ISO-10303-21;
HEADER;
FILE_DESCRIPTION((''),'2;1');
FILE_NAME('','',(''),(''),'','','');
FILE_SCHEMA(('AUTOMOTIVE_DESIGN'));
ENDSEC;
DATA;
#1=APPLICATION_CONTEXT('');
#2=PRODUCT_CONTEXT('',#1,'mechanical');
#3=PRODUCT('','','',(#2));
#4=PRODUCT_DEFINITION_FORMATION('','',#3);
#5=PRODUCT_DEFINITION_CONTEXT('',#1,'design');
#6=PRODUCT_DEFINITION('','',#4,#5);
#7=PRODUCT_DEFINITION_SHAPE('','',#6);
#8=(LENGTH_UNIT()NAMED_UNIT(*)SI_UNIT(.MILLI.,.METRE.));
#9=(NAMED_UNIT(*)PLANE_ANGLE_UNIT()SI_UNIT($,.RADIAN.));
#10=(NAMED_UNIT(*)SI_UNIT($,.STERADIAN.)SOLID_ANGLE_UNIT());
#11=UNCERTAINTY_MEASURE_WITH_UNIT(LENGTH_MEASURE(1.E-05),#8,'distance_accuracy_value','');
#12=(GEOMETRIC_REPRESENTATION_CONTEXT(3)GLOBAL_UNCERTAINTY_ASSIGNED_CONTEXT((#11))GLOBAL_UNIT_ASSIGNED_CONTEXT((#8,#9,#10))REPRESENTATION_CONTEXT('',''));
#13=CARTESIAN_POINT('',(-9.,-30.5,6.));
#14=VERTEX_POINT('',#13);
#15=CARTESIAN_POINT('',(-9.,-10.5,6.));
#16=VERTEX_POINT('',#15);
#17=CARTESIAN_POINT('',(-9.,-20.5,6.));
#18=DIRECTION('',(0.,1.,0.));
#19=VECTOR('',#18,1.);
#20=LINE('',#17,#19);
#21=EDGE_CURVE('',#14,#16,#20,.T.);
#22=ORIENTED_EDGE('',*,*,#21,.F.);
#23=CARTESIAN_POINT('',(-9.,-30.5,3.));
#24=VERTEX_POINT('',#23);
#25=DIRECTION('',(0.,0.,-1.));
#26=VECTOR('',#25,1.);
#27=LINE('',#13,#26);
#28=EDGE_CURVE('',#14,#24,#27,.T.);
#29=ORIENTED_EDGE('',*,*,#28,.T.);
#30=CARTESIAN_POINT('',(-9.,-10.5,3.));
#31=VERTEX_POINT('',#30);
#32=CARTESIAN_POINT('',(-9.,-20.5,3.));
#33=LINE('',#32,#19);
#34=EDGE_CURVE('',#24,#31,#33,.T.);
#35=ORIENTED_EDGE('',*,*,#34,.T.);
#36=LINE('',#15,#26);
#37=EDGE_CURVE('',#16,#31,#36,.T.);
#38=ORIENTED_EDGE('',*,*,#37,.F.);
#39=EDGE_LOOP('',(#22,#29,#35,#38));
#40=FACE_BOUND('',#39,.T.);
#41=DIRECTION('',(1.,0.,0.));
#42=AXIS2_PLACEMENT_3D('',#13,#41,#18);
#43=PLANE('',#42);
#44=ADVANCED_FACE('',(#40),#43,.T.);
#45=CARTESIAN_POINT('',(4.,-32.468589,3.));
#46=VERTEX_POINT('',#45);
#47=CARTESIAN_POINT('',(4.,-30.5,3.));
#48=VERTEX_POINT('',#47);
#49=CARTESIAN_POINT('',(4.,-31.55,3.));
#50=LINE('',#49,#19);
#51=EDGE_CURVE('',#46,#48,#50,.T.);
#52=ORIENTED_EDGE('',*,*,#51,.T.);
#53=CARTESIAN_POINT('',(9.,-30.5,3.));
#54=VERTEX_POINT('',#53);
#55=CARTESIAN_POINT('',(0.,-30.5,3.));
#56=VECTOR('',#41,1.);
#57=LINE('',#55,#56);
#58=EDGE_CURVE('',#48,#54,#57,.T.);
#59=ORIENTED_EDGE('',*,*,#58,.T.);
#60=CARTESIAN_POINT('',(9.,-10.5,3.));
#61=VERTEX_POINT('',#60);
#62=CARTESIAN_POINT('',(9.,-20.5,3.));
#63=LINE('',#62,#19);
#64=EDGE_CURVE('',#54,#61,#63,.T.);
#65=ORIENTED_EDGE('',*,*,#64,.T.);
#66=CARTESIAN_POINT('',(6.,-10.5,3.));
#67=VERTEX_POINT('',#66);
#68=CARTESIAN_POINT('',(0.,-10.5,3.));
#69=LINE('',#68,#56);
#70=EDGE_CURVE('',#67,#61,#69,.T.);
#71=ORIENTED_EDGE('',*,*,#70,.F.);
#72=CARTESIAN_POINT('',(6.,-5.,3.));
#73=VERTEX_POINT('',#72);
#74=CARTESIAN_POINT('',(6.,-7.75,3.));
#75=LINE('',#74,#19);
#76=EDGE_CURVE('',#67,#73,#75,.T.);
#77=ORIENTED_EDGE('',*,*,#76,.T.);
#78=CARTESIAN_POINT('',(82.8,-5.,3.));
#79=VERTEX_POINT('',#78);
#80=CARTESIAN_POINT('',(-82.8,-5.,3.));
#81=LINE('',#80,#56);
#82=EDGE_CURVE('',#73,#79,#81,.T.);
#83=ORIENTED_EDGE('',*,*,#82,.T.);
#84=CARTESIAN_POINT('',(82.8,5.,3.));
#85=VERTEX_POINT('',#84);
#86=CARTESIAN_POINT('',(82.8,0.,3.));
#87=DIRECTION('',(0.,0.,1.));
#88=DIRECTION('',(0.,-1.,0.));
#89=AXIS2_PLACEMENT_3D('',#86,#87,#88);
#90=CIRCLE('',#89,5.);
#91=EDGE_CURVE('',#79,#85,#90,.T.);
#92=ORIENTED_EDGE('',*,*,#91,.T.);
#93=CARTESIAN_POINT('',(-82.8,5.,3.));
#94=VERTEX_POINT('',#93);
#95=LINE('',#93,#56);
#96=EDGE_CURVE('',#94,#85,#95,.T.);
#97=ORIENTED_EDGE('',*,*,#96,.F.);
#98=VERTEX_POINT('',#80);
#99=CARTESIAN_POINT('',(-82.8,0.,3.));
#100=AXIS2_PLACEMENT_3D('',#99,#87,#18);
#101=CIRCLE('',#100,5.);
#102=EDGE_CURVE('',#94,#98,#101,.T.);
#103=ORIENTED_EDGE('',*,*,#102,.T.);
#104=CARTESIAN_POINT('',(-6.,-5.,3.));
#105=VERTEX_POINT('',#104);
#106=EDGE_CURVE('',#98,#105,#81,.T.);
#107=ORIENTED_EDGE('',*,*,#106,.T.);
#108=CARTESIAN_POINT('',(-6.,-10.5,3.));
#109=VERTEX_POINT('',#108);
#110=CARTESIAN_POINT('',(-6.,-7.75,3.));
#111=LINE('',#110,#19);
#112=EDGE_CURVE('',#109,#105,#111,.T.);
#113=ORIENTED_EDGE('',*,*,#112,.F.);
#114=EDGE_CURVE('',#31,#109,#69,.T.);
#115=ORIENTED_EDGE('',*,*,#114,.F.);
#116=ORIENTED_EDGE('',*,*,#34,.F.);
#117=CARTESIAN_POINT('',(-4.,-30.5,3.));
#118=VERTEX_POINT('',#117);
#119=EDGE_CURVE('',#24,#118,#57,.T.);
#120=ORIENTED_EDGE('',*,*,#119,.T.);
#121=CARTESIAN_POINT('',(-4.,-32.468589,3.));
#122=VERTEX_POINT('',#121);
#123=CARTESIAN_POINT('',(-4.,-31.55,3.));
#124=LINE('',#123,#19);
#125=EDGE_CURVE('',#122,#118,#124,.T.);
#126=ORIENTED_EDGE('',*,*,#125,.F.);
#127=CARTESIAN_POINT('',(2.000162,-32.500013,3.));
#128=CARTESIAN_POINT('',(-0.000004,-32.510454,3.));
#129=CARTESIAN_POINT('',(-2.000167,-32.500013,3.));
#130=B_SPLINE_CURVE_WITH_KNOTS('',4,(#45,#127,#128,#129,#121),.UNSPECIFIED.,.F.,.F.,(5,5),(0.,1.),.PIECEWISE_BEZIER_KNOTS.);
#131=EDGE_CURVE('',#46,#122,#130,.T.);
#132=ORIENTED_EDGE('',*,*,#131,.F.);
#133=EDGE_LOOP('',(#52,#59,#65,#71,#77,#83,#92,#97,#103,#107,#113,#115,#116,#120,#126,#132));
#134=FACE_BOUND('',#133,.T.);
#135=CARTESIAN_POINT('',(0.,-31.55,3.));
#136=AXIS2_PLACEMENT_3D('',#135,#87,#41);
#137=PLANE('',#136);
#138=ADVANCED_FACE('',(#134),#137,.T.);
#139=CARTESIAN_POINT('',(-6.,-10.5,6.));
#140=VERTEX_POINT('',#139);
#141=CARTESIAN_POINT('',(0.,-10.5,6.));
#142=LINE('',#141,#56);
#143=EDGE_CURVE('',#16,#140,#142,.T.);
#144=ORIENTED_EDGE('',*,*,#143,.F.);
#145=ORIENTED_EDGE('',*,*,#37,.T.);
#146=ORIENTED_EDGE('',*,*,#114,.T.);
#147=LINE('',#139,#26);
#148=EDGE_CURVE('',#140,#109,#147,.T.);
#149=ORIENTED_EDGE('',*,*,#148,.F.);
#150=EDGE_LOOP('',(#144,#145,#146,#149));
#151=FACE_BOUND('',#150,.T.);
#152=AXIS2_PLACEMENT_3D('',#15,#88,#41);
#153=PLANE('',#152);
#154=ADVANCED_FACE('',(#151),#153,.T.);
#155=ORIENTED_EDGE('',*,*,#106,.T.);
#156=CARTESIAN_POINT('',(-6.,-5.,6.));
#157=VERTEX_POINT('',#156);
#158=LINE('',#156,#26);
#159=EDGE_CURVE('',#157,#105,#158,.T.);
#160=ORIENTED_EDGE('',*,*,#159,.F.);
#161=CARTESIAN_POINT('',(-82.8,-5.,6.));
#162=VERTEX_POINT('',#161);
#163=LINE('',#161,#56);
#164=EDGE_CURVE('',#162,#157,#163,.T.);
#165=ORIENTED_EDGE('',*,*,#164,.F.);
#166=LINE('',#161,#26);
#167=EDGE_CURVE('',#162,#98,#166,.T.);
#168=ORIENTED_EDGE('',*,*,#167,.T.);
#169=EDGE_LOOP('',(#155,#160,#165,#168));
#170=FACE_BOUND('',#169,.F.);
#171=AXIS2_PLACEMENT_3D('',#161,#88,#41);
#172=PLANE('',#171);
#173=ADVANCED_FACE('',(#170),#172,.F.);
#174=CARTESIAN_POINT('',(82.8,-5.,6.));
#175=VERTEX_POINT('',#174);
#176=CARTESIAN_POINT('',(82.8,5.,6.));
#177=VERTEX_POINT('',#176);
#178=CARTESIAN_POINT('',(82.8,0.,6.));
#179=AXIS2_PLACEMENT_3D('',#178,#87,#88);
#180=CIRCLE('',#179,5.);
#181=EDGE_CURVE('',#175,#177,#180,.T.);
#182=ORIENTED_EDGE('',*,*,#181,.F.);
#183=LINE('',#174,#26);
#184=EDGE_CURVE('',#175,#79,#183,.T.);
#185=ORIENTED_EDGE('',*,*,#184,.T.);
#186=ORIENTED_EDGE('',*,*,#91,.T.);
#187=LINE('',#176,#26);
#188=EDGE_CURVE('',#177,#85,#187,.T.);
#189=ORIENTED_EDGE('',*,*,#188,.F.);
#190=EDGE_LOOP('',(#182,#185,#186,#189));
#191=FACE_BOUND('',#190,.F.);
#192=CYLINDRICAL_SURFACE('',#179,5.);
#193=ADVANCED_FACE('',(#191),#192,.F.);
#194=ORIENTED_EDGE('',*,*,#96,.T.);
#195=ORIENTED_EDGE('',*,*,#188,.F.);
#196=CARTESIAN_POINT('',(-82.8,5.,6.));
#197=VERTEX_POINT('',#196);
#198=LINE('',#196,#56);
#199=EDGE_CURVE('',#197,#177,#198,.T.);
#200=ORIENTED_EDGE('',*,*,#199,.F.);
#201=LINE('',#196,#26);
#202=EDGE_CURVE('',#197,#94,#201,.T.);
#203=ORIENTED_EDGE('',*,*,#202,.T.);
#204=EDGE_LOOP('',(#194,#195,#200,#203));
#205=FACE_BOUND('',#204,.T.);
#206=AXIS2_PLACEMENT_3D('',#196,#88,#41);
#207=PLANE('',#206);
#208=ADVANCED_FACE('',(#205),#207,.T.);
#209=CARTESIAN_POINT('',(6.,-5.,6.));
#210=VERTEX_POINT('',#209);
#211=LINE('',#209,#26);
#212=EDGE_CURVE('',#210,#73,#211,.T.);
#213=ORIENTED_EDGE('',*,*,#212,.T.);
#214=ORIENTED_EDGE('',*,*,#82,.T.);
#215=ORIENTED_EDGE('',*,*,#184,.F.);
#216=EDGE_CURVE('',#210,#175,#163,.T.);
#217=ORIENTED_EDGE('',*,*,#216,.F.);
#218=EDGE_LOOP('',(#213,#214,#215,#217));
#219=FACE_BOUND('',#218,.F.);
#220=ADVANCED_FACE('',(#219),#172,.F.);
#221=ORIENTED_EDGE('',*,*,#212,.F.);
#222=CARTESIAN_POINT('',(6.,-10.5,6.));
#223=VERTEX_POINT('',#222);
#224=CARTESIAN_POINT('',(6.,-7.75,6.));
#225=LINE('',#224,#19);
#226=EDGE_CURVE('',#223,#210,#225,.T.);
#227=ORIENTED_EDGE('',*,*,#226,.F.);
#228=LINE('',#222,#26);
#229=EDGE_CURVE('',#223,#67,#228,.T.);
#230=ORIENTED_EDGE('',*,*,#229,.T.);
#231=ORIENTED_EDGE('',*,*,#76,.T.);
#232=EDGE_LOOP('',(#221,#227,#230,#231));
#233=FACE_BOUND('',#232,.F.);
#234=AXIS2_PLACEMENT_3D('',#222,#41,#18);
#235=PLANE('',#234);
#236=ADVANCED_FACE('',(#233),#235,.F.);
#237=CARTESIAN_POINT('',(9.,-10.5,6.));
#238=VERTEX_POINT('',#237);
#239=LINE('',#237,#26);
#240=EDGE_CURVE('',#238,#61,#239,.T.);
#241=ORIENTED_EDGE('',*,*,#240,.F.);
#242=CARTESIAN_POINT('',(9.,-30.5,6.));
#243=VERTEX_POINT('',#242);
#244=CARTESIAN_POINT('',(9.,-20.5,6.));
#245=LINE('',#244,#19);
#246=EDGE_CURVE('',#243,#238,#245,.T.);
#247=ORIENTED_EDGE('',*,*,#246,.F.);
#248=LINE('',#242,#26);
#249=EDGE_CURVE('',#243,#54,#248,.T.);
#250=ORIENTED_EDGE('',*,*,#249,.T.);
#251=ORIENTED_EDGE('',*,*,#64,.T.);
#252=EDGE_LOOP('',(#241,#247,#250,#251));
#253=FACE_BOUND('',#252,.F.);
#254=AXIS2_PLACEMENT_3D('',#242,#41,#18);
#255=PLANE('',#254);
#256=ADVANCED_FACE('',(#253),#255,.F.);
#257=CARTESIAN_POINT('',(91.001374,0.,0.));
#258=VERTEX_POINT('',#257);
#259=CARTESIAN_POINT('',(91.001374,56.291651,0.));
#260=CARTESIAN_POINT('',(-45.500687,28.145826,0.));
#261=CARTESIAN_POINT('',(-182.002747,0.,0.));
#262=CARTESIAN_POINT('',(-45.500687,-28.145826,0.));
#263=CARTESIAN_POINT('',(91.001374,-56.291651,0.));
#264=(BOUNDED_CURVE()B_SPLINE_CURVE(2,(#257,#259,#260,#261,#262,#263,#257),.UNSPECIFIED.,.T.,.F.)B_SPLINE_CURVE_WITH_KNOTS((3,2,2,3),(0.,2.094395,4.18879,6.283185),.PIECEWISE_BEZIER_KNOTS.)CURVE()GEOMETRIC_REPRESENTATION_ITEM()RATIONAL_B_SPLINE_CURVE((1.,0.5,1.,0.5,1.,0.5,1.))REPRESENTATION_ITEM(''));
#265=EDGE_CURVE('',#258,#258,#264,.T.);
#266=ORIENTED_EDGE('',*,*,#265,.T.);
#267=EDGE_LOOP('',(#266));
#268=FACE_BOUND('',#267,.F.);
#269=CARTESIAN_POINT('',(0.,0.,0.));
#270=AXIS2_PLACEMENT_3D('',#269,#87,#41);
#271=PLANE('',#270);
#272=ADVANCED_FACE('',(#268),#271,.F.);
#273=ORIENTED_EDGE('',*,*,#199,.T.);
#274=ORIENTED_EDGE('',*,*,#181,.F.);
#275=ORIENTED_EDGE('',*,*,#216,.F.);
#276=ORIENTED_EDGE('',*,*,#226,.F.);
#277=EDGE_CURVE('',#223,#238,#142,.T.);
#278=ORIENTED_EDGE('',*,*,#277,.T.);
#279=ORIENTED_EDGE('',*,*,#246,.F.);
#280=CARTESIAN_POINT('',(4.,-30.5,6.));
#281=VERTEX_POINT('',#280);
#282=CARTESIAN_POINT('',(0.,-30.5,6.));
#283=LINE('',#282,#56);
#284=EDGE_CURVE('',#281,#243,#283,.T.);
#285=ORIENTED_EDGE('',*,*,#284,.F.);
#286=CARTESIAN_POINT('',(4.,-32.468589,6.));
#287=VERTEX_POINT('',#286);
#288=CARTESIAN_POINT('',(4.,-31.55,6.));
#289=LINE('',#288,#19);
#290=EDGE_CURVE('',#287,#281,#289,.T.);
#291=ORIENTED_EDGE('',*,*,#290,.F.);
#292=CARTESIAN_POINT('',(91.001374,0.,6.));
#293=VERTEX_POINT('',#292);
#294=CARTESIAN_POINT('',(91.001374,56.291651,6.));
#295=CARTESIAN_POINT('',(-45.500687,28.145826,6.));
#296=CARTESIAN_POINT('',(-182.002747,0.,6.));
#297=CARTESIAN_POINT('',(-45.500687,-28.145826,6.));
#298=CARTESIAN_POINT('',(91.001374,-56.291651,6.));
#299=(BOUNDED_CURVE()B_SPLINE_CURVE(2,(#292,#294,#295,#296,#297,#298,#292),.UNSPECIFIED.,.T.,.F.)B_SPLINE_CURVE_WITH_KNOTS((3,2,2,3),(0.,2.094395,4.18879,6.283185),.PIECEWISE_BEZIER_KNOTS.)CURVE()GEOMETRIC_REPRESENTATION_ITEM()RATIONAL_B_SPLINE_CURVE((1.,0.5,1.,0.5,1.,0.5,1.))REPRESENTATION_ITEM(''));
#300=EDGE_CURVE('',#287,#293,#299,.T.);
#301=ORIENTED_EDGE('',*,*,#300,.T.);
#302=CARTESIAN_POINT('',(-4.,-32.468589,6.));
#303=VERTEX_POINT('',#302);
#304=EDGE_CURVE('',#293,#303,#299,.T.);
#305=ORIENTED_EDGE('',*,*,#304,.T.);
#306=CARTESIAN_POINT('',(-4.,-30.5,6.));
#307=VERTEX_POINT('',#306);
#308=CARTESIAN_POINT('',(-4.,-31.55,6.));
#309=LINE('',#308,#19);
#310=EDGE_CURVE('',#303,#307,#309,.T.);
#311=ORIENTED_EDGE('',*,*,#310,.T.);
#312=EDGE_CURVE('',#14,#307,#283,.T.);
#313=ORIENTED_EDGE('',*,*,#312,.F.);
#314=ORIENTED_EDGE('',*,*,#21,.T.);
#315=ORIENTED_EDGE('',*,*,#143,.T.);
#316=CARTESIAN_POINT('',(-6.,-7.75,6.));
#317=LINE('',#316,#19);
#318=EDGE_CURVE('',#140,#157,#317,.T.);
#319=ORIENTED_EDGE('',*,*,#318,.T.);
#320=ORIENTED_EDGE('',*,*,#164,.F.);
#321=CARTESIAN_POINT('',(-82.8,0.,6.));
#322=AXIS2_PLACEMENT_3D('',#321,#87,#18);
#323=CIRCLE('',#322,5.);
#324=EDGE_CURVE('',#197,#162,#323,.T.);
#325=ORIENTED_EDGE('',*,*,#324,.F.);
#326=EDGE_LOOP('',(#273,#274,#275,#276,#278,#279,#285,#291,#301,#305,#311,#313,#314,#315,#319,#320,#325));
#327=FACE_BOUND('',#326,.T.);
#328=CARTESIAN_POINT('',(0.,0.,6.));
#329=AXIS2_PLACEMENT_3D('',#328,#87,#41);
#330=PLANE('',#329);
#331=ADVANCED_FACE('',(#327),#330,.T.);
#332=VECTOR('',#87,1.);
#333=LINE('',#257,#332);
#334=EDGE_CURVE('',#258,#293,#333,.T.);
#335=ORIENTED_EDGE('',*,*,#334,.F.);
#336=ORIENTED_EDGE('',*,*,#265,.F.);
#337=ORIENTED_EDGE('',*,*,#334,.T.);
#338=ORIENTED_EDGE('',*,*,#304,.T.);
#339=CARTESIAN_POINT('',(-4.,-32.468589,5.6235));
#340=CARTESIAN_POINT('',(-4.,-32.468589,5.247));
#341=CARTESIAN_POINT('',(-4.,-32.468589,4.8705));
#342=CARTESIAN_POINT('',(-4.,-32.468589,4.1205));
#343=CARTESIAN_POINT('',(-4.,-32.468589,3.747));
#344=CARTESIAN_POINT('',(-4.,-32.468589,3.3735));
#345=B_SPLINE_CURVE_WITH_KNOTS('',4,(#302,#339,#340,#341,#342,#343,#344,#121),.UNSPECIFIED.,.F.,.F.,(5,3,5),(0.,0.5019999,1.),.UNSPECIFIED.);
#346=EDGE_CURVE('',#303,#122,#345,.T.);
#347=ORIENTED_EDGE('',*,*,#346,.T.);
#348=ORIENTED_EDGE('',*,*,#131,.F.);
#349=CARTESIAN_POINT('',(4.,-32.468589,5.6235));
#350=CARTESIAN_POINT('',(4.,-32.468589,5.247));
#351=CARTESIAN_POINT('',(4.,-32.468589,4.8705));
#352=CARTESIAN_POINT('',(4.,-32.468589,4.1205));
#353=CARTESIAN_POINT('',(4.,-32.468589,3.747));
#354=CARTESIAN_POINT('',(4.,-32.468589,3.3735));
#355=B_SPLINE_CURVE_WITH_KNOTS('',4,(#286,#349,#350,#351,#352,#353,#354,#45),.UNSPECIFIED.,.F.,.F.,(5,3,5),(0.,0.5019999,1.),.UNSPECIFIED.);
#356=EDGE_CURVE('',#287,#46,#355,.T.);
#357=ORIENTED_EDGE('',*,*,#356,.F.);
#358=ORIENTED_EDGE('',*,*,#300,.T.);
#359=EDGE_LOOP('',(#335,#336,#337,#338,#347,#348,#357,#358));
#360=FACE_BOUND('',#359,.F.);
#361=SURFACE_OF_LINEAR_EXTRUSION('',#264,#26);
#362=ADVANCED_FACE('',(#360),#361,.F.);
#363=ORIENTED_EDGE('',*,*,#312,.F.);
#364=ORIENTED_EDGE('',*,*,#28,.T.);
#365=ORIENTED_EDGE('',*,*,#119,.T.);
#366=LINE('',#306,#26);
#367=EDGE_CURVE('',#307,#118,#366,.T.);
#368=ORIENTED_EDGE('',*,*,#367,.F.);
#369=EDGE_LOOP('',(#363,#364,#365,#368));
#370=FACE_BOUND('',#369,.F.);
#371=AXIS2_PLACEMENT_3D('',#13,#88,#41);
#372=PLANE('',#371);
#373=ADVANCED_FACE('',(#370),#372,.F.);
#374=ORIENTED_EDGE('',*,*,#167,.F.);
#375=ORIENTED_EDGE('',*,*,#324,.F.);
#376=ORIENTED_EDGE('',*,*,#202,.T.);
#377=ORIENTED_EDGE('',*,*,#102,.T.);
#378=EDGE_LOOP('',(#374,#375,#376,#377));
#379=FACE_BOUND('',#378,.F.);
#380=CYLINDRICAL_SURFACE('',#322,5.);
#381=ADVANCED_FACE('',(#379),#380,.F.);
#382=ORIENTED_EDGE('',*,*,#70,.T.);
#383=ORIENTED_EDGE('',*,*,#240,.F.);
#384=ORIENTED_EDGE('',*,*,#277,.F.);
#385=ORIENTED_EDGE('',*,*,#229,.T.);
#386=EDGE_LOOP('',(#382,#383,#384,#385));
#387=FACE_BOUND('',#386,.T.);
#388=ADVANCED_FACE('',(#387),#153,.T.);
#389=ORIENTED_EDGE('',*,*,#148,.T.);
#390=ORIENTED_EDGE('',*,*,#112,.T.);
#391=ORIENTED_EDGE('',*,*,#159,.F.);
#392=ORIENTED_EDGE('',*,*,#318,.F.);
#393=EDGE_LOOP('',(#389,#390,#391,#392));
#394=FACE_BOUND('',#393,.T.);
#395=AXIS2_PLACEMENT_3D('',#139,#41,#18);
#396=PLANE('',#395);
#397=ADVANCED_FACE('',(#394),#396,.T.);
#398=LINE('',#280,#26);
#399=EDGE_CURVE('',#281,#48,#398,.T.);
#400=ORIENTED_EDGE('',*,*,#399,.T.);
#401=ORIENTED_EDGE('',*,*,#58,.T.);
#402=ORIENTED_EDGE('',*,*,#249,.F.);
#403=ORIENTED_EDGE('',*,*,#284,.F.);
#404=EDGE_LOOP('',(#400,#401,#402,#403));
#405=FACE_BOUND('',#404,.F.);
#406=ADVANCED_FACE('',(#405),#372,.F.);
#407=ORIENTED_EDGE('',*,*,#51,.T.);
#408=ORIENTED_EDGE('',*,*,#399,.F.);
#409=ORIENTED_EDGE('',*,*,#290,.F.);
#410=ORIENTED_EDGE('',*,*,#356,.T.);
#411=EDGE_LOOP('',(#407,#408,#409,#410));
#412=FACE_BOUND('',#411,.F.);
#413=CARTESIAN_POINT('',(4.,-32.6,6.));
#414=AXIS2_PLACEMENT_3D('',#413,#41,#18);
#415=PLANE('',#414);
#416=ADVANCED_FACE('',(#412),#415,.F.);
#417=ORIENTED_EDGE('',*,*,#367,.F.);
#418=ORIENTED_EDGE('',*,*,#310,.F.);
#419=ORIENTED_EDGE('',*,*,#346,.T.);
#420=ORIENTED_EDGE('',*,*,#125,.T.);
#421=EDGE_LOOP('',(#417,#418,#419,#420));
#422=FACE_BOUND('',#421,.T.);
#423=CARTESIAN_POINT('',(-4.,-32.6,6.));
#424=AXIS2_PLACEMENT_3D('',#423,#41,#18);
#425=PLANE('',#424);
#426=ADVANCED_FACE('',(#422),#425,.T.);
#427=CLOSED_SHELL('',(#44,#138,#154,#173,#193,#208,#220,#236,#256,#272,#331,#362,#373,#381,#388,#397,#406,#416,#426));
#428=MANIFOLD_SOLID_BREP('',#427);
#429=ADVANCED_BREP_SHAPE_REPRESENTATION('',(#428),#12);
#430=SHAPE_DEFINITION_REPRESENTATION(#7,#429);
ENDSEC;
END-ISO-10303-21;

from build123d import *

# Parameters (mm, degrees)
PAD_DEPTH       = 6
POCKET_DEPTH    = 3
SKETCH002_W     = 18
SKETCH002_H     = 20
POCKET001_DEPTH = 3
SKETCH003_W     = 12
SKETCH003_H     = 5.5
SKETCH003_W_2   = 8
SKETCH003_H_2   = 2.1
POCKET002_DEPTH = 3


with BuildPart() as part:
    # Sketch → Pad (new body)
    with BuildSketch(Plane.XY):
        with BuildLine():
            add(Edge.make_bspline(
                [(91.001374, 0), (91.001374, 56.291651), (-45.500687, 28.145826), (-182.002747, 0), (-45.500687, -28.145826), (91.001374, -56.291651), (91.001374, 0)],
                knots=[0, 0, 0, 2.094395, 2.094395, 4.18879, 4.18879, 6.283185, 6.283185, 6.283185], degree=2, weights=[1, 0.5, 1, 0.5, 1, 0.5, 1]))
        make_face()
    extrude(amount=PAD_DEPTH)

    # Sketch001 (on Face3 of Pad) → Pocket (cut)
    with BuildSketch(Plane.XY.offset(6)):
        with BuildLine():
            ThreePointArc((-82.8, 5), (-87.8, 0), (-82.8, -5))
            Line((-82.8, -5), (82.8, -5))
            ThreePointArc((82.8, -5), (87.8, 0), (82.8, 5))
            Line((-82.8, 5), (82.8, 5))
        make_face()
    extrude(amount=-POCKET_DEPTH, mode=Mode.SUBTRACT)

    # Sketch002 (on Face3 of Pocket) → Pocket001 (cut)
    with BuildSketch(Plane.XY.offset(6)):
        with Locations((0, -20.5)):
            Rectangle(SKETCH002_W, SKETCH002_H)
    extrude(amount=-POCKET001_DEPTH, mode=Mode.SUBTRACT)

    # Sketch003 (on Face3 of Pocket001) → Pocket002 (cut)
    with BuildSketch(Plane.XY.offset(6)):
        with Locations((0, -7.75)):
            Rectangle(SKETCH003_W, SKETCH003_H)
        with Locations((0, -31.55)):
            Rectangle(SKETCH003_W_2, SKETCH003_H_2)
    extrude(amount=-POCKET002_DEPTH, mode=Mode.SUBTRACT)


solid = part.part
